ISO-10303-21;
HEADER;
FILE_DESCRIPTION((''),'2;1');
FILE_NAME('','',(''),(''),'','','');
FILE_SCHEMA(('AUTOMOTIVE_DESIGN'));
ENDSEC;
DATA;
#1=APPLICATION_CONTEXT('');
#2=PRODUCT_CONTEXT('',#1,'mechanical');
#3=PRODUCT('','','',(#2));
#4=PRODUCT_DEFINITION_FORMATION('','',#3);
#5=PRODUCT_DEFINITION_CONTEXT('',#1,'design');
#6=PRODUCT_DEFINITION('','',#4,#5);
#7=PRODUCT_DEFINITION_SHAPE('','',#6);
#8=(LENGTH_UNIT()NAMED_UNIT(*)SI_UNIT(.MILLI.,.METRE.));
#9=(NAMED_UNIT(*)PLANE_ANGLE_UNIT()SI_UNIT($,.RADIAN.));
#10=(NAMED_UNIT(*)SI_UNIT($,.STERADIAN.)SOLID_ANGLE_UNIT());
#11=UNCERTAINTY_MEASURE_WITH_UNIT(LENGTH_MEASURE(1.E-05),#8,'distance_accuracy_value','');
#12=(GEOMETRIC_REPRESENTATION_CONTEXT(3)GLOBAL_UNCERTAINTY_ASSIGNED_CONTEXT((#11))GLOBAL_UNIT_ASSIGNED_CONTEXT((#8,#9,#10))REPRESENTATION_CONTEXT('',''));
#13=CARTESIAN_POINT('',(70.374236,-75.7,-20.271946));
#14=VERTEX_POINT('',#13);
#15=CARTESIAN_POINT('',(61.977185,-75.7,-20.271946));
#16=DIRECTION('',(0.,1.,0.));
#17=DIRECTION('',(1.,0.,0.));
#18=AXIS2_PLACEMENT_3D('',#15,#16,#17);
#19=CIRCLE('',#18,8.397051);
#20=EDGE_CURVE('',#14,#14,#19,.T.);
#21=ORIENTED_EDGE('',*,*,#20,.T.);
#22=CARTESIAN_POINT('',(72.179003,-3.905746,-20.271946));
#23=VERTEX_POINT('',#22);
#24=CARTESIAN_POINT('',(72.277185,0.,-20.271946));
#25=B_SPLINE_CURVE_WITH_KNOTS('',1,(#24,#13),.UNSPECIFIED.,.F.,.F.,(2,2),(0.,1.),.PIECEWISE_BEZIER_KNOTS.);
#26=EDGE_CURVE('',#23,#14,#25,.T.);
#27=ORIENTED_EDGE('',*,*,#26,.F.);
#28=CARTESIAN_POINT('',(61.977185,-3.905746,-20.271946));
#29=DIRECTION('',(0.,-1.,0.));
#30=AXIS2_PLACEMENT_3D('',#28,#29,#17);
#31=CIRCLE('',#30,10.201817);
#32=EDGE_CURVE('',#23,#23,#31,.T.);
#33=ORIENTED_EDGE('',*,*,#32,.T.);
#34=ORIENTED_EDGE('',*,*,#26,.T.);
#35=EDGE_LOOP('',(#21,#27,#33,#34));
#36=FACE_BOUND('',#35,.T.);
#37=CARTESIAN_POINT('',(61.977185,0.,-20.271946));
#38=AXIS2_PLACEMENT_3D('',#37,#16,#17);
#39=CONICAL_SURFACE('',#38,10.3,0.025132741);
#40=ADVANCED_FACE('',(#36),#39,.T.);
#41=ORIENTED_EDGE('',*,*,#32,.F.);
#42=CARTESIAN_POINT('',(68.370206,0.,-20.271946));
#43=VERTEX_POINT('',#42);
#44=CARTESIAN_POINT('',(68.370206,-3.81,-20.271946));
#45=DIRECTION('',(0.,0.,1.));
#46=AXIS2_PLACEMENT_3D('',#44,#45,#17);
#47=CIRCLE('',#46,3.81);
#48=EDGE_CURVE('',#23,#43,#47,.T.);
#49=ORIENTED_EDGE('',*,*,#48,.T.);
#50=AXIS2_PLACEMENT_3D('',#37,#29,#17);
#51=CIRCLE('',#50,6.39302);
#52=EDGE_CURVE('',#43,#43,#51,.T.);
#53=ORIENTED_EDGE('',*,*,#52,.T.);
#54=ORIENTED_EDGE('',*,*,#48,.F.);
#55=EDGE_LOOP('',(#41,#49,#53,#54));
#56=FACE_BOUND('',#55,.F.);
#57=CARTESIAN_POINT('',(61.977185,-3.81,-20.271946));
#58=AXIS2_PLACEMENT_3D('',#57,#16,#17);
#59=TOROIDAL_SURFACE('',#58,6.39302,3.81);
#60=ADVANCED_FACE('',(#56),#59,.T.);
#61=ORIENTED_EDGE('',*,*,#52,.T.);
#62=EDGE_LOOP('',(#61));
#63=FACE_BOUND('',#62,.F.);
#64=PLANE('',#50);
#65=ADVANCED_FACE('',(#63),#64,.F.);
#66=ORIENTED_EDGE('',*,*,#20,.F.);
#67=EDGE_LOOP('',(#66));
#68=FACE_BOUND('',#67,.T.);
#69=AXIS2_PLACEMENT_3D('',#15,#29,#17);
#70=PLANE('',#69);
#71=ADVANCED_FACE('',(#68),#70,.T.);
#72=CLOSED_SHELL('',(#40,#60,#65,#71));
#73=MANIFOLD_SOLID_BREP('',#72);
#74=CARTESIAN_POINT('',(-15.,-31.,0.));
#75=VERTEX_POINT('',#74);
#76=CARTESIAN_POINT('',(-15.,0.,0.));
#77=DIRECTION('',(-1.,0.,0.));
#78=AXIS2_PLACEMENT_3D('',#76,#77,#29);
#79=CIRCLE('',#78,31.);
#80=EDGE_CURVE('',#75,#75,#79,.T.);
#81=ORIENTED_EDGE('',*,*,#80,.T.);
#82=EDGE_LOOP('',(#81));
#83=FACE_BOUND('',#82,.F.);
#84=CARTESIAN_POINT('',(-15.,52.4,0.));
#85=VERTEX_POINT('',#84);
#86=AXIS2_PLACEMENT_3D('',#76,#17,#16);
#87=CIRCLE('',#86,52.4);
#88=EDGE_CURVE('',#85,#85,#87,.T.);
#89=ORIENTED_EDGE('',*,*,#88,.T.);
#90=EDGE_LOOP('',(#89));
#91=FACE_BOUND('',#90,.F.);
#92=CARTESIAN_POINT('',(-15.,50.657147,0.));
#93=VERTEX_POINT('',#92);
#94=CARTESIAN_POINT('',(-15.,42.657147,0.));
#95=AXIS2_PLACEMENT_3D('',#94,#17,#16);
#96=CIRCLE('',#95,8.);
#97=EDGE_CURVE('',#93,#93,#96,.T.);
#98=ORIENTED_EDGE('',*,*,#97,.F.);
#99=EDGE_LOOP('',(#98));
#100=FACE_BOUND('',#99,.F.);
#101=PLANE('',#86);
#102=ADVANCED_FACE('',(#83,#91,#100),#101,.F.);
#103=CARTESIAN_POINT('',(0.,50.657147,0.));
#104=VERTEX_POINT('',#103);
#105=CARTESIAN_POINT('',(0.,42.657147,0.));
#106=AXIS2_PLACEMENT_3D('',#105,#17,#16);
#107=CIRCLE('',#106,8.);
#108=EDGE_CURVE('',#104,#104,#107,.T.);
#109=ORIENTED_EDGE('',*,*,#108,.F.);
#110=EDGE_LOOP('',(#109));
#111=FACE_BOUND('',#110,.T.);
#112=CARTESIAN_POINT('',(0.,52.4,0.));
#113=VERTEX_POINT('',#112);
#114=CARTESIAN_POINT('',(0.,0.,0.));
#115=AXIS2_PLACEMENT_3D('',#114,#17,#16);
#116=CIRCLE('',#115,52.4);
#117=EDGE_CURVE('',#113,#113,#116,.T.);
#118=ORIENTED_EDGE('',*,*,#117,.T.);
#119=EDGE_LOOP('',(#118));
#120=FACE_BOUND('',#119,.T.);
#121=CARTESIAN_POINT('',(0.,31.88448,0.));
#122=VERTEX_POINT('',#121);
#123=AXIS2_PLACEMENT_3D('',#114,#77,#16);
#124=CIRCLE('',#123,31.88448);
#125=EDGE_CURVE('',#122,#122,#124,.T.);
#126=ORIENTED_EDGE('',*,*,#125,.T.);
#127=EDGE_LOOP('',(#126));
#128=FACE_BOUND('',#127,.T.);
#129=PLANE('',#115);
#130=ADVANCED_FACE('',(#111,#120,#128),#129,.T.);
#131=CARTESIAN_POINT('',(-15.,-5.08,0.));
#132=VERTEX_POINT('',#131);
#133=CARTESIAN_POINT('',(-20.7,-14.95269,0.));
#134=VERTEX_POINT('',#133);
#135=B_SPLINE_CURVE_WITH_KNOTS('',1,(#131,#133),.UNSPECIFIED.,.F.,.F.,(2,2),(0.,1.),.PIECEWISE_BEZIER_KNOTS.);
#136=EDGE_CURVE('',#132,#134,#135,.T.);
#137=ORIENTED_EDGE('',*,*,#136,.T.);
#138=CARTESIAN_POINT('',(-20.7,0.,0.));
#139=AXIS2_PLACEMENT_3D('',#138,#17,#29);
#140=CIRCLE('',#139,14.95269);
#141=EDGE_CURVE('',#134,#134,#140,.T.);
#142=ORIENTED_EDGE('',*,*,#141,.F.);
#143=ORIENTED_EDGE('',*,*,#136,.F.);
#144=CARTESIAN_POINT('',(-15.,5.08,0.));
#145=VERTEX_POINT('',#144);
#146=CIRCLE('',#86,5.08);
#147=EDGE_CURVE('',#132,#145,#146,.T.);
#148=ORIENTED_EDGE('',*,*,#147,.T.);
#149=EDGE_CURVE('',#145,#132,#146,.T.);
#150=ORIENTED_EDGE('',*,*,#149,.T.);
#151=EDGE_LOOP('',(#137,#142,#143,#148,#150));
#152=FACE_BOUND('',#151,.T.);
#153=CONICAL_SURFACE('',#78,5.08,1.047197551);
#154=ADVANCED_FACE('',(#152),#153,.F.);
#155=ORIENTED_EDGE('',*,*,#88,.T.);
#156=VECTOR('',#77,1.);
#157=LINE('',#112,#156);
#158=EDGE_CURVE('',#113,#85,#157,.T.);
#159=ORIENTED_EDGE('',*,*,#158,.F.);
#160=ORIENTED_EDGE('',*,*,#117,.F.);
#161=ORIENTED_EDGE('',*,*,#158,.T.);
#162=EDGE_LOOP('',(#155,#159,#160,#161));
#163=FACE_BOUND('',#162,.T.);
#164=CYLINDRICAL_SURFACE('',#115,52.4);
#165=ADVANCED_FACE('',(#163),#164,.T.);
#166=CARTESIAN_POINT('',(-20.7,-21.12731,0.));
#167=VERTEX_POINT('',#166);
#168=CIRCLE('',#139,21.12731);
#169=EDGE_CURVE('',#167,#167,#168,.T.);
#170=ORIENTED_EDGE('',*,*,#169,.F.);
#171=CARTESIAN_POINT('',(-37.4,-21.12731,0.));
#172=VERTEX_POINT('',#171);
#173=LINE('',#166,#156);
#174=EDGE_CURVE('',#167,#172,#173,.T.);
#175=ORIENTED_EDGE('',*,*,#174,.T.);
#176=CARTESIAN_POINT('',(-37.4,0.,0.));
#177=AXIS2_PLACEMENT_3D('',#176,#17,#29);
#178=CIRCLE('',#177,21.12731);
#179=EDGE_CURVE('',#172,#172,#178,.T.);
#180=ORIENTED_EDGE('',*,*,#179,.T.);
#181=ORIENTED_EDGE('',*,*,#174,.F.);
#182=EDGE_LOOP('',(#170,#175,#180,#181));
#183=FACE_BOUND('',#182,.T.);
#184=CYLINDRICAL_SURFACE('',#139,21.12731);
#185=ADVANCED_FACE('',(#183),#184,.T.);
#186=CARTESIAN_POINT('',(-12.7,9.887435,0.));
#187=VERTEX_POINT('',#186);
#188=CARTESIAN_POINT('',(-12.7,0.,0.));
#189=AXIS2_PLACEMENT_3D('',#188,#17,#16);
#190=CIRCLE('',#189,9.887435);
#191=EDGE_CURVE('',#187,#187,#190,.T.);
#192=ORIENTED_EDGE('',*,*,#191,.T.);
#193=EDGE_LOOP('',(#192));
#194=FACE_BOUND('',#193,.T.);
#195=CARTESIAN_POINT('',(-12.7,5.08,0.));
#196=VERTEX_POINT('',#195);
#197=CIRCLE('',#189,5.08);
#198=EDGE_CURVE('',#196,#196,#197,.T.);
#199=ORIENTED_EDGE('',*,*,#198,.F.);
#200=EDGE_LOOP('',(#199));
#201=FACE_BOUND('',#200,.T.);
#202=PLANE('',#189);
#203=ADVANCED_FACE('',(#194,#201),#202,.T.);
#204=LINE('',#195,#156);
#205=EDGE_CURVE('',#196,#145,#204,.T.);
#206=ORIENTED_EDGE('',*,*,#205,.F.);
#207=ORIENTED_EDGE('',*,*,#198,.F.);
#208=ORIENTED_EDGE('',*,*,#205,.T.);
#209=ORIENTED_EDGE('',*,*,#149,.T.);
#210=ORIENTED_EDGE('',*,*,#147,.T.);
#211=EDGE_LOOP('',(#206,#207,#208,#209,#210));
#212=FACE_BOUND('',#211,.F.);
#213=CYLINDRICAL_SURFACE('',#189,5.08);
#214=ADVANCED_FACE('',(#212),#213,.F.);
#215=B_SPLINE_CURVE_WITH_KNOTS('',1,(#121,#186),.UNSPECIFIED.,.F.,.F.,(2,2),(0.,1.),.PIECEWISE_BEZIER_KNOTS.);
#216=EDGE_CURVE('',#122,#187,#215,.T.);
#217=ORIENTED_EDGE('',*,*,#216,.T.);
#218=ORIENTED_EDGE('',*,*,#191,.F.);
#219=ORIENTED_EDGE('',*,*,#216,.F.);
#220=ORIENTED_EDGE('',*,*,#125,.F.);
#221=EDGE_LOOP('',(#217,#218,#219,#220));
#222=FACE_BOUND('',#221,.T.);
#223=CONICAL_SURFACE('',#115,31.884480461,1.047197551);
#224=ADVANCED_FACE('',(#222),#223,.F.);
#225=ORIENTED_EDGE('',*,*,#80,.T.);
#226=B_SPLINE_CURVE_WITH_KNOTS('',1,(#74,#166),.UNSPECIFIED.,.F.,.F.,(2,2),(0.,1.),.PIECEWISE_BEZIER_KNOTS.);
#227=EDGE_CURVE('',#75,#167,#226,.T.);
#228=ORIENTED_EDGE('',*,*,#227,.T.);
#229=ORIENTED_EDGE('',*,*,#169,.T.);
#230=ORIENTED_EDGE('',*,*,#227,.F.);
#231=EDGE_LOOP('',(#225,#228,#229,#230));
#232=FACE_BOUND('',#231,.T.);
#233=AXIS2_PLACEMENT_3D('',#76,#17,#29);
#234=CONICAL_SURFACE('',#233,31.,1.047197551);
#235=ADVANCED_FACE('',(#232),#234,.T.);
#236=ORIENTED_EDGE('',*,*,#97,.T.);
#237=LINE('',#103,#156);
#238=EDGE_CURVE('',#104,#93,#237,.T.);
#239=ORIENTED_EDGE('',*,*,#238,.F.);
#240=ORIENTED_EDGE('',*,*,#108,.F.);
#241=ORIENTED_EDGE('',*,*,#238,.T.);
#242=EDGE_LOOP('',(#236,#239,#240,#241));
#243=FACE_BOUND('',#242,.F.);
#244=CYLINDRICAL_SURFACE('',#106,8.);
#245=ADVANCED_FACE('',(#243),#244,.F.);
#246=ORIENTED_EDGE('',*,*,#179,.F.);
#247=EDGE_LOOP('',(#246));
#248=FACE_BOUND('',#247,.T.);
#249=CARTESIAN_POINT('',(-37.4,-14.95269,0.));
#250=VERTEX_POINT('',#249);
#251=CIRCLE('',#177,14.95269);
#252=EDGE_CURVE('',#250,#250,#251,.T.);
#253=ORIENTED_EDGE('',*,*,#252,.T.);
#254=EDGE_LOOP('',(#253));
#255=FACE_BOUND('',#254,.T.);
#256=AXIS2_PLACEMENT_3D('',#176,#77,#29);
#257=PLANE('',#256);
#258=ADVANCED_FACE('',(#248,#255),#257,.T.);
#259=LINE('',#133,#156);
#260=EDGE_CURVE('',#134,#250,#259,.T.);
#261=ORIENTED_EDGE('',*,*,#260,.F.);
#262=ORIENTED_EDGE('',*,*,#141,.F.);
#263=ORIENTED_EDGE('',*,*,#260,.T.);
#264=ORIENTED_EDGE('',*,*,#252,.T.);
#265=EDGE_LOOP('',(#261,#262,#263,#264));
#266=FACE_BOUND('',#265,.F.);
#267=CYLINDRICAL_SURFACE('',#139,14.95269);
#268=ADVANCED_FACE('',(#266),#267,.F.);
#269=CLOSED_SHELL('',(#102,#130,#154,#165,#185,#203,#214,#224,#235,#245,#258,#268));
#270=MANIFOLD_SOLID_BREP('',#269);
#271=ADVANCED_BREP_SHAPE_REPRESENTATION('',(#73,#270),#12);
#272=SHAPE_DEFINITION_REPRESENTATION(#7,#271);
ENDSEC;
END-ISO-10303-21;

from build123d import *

# Parameters (mm, degrees)
F0_R      = 52.4
F0_R_2    = 31.8270432581
F0_R_3    = 8
F1_DEPTH  = 15
F2_R      = 31.8844804613
F3_DEPTH  = 12.7
F3_TAPER  = 60
F4_R      = 5.08
F5_DEPTH  = 2.301
F6_R      = 31
F6_R_2    = 5.08
F7_DEPTH  = 5.7
F7_TAPER  = 60
F8_DEPTH  = 16.7
F9_R      = 10.3
F10_DEPTH = 75.7
F10_TAPER = 1.44
F11_R     = 3.81


with BuildPart() as f1:
    # F0 (on Right) → F1 (new body)
    with BuildSketch(Plane.YZ):
        Circle(F0_R)
        Circle(F0_R_2, mode=Mode.SUBTRACT)
        with Locations((42.6571465449, 0)):
            Circle(F0_R_3, mode=Mode.SUBTRACT)
        Circle(F0_R_2)
    extrude(amount=-F1_DEPTH)

    # F2 (on face) → F3 (cut)
    with BuildSketch(Plane.YZ):
        Circle(F2_R)
    extrude(amount=-F3_DEPTH, taper=F3_TAPER, mode=Mode.SUBTRACT)

    # F4 (on face) → F5 (cut, through all)
    with BuildSketch(Plane.YZ.offset(-12.7)):
        Circle(F4_R)
    extrude(amount=-F5_DEPTH, mode=Mode.SUBTRACT)

    # F6 (on face) → F7 (join)
    with BuildSketch(Plane(origin=(-15, 0, 0), x_dir=(0, -1, 0), z_dir=(-1, 0, 0))):
        Circle(F6_R)
        Circle(F6_R_2, mode=Mode.SUBTRACT)
    extrude(amount=F7_DEPTH, taper=F7_TAPER)

    # F8 (add): a face of the model
    f8_faces = [f1.faces().sort_by_distance(p)[0] for p in [
        (-20.7, 20.5297398189, 0),
    ]]
    extrude(f8_faces, amount=F8_DEPTH)


with BuildPart() as f10:
    # F9 (on Front) → F10 (new body)
    with BuildSketch(Plane.XZ):
        with Locations((61.9771853089, -20.2719457448)):
            Circle(F9_R)
    extrude(amount=F10_DEPTH, taper=F10_TAPER)

    # F11
    f11_edges = [f10.edges().sort_by_distance(p)[0] for p in [
        (51.677185, 0, -20.271946),
    ]]
    fillet(f11_edges, radius=F11_R)


solid = Compound([f1.part, f10.part])
